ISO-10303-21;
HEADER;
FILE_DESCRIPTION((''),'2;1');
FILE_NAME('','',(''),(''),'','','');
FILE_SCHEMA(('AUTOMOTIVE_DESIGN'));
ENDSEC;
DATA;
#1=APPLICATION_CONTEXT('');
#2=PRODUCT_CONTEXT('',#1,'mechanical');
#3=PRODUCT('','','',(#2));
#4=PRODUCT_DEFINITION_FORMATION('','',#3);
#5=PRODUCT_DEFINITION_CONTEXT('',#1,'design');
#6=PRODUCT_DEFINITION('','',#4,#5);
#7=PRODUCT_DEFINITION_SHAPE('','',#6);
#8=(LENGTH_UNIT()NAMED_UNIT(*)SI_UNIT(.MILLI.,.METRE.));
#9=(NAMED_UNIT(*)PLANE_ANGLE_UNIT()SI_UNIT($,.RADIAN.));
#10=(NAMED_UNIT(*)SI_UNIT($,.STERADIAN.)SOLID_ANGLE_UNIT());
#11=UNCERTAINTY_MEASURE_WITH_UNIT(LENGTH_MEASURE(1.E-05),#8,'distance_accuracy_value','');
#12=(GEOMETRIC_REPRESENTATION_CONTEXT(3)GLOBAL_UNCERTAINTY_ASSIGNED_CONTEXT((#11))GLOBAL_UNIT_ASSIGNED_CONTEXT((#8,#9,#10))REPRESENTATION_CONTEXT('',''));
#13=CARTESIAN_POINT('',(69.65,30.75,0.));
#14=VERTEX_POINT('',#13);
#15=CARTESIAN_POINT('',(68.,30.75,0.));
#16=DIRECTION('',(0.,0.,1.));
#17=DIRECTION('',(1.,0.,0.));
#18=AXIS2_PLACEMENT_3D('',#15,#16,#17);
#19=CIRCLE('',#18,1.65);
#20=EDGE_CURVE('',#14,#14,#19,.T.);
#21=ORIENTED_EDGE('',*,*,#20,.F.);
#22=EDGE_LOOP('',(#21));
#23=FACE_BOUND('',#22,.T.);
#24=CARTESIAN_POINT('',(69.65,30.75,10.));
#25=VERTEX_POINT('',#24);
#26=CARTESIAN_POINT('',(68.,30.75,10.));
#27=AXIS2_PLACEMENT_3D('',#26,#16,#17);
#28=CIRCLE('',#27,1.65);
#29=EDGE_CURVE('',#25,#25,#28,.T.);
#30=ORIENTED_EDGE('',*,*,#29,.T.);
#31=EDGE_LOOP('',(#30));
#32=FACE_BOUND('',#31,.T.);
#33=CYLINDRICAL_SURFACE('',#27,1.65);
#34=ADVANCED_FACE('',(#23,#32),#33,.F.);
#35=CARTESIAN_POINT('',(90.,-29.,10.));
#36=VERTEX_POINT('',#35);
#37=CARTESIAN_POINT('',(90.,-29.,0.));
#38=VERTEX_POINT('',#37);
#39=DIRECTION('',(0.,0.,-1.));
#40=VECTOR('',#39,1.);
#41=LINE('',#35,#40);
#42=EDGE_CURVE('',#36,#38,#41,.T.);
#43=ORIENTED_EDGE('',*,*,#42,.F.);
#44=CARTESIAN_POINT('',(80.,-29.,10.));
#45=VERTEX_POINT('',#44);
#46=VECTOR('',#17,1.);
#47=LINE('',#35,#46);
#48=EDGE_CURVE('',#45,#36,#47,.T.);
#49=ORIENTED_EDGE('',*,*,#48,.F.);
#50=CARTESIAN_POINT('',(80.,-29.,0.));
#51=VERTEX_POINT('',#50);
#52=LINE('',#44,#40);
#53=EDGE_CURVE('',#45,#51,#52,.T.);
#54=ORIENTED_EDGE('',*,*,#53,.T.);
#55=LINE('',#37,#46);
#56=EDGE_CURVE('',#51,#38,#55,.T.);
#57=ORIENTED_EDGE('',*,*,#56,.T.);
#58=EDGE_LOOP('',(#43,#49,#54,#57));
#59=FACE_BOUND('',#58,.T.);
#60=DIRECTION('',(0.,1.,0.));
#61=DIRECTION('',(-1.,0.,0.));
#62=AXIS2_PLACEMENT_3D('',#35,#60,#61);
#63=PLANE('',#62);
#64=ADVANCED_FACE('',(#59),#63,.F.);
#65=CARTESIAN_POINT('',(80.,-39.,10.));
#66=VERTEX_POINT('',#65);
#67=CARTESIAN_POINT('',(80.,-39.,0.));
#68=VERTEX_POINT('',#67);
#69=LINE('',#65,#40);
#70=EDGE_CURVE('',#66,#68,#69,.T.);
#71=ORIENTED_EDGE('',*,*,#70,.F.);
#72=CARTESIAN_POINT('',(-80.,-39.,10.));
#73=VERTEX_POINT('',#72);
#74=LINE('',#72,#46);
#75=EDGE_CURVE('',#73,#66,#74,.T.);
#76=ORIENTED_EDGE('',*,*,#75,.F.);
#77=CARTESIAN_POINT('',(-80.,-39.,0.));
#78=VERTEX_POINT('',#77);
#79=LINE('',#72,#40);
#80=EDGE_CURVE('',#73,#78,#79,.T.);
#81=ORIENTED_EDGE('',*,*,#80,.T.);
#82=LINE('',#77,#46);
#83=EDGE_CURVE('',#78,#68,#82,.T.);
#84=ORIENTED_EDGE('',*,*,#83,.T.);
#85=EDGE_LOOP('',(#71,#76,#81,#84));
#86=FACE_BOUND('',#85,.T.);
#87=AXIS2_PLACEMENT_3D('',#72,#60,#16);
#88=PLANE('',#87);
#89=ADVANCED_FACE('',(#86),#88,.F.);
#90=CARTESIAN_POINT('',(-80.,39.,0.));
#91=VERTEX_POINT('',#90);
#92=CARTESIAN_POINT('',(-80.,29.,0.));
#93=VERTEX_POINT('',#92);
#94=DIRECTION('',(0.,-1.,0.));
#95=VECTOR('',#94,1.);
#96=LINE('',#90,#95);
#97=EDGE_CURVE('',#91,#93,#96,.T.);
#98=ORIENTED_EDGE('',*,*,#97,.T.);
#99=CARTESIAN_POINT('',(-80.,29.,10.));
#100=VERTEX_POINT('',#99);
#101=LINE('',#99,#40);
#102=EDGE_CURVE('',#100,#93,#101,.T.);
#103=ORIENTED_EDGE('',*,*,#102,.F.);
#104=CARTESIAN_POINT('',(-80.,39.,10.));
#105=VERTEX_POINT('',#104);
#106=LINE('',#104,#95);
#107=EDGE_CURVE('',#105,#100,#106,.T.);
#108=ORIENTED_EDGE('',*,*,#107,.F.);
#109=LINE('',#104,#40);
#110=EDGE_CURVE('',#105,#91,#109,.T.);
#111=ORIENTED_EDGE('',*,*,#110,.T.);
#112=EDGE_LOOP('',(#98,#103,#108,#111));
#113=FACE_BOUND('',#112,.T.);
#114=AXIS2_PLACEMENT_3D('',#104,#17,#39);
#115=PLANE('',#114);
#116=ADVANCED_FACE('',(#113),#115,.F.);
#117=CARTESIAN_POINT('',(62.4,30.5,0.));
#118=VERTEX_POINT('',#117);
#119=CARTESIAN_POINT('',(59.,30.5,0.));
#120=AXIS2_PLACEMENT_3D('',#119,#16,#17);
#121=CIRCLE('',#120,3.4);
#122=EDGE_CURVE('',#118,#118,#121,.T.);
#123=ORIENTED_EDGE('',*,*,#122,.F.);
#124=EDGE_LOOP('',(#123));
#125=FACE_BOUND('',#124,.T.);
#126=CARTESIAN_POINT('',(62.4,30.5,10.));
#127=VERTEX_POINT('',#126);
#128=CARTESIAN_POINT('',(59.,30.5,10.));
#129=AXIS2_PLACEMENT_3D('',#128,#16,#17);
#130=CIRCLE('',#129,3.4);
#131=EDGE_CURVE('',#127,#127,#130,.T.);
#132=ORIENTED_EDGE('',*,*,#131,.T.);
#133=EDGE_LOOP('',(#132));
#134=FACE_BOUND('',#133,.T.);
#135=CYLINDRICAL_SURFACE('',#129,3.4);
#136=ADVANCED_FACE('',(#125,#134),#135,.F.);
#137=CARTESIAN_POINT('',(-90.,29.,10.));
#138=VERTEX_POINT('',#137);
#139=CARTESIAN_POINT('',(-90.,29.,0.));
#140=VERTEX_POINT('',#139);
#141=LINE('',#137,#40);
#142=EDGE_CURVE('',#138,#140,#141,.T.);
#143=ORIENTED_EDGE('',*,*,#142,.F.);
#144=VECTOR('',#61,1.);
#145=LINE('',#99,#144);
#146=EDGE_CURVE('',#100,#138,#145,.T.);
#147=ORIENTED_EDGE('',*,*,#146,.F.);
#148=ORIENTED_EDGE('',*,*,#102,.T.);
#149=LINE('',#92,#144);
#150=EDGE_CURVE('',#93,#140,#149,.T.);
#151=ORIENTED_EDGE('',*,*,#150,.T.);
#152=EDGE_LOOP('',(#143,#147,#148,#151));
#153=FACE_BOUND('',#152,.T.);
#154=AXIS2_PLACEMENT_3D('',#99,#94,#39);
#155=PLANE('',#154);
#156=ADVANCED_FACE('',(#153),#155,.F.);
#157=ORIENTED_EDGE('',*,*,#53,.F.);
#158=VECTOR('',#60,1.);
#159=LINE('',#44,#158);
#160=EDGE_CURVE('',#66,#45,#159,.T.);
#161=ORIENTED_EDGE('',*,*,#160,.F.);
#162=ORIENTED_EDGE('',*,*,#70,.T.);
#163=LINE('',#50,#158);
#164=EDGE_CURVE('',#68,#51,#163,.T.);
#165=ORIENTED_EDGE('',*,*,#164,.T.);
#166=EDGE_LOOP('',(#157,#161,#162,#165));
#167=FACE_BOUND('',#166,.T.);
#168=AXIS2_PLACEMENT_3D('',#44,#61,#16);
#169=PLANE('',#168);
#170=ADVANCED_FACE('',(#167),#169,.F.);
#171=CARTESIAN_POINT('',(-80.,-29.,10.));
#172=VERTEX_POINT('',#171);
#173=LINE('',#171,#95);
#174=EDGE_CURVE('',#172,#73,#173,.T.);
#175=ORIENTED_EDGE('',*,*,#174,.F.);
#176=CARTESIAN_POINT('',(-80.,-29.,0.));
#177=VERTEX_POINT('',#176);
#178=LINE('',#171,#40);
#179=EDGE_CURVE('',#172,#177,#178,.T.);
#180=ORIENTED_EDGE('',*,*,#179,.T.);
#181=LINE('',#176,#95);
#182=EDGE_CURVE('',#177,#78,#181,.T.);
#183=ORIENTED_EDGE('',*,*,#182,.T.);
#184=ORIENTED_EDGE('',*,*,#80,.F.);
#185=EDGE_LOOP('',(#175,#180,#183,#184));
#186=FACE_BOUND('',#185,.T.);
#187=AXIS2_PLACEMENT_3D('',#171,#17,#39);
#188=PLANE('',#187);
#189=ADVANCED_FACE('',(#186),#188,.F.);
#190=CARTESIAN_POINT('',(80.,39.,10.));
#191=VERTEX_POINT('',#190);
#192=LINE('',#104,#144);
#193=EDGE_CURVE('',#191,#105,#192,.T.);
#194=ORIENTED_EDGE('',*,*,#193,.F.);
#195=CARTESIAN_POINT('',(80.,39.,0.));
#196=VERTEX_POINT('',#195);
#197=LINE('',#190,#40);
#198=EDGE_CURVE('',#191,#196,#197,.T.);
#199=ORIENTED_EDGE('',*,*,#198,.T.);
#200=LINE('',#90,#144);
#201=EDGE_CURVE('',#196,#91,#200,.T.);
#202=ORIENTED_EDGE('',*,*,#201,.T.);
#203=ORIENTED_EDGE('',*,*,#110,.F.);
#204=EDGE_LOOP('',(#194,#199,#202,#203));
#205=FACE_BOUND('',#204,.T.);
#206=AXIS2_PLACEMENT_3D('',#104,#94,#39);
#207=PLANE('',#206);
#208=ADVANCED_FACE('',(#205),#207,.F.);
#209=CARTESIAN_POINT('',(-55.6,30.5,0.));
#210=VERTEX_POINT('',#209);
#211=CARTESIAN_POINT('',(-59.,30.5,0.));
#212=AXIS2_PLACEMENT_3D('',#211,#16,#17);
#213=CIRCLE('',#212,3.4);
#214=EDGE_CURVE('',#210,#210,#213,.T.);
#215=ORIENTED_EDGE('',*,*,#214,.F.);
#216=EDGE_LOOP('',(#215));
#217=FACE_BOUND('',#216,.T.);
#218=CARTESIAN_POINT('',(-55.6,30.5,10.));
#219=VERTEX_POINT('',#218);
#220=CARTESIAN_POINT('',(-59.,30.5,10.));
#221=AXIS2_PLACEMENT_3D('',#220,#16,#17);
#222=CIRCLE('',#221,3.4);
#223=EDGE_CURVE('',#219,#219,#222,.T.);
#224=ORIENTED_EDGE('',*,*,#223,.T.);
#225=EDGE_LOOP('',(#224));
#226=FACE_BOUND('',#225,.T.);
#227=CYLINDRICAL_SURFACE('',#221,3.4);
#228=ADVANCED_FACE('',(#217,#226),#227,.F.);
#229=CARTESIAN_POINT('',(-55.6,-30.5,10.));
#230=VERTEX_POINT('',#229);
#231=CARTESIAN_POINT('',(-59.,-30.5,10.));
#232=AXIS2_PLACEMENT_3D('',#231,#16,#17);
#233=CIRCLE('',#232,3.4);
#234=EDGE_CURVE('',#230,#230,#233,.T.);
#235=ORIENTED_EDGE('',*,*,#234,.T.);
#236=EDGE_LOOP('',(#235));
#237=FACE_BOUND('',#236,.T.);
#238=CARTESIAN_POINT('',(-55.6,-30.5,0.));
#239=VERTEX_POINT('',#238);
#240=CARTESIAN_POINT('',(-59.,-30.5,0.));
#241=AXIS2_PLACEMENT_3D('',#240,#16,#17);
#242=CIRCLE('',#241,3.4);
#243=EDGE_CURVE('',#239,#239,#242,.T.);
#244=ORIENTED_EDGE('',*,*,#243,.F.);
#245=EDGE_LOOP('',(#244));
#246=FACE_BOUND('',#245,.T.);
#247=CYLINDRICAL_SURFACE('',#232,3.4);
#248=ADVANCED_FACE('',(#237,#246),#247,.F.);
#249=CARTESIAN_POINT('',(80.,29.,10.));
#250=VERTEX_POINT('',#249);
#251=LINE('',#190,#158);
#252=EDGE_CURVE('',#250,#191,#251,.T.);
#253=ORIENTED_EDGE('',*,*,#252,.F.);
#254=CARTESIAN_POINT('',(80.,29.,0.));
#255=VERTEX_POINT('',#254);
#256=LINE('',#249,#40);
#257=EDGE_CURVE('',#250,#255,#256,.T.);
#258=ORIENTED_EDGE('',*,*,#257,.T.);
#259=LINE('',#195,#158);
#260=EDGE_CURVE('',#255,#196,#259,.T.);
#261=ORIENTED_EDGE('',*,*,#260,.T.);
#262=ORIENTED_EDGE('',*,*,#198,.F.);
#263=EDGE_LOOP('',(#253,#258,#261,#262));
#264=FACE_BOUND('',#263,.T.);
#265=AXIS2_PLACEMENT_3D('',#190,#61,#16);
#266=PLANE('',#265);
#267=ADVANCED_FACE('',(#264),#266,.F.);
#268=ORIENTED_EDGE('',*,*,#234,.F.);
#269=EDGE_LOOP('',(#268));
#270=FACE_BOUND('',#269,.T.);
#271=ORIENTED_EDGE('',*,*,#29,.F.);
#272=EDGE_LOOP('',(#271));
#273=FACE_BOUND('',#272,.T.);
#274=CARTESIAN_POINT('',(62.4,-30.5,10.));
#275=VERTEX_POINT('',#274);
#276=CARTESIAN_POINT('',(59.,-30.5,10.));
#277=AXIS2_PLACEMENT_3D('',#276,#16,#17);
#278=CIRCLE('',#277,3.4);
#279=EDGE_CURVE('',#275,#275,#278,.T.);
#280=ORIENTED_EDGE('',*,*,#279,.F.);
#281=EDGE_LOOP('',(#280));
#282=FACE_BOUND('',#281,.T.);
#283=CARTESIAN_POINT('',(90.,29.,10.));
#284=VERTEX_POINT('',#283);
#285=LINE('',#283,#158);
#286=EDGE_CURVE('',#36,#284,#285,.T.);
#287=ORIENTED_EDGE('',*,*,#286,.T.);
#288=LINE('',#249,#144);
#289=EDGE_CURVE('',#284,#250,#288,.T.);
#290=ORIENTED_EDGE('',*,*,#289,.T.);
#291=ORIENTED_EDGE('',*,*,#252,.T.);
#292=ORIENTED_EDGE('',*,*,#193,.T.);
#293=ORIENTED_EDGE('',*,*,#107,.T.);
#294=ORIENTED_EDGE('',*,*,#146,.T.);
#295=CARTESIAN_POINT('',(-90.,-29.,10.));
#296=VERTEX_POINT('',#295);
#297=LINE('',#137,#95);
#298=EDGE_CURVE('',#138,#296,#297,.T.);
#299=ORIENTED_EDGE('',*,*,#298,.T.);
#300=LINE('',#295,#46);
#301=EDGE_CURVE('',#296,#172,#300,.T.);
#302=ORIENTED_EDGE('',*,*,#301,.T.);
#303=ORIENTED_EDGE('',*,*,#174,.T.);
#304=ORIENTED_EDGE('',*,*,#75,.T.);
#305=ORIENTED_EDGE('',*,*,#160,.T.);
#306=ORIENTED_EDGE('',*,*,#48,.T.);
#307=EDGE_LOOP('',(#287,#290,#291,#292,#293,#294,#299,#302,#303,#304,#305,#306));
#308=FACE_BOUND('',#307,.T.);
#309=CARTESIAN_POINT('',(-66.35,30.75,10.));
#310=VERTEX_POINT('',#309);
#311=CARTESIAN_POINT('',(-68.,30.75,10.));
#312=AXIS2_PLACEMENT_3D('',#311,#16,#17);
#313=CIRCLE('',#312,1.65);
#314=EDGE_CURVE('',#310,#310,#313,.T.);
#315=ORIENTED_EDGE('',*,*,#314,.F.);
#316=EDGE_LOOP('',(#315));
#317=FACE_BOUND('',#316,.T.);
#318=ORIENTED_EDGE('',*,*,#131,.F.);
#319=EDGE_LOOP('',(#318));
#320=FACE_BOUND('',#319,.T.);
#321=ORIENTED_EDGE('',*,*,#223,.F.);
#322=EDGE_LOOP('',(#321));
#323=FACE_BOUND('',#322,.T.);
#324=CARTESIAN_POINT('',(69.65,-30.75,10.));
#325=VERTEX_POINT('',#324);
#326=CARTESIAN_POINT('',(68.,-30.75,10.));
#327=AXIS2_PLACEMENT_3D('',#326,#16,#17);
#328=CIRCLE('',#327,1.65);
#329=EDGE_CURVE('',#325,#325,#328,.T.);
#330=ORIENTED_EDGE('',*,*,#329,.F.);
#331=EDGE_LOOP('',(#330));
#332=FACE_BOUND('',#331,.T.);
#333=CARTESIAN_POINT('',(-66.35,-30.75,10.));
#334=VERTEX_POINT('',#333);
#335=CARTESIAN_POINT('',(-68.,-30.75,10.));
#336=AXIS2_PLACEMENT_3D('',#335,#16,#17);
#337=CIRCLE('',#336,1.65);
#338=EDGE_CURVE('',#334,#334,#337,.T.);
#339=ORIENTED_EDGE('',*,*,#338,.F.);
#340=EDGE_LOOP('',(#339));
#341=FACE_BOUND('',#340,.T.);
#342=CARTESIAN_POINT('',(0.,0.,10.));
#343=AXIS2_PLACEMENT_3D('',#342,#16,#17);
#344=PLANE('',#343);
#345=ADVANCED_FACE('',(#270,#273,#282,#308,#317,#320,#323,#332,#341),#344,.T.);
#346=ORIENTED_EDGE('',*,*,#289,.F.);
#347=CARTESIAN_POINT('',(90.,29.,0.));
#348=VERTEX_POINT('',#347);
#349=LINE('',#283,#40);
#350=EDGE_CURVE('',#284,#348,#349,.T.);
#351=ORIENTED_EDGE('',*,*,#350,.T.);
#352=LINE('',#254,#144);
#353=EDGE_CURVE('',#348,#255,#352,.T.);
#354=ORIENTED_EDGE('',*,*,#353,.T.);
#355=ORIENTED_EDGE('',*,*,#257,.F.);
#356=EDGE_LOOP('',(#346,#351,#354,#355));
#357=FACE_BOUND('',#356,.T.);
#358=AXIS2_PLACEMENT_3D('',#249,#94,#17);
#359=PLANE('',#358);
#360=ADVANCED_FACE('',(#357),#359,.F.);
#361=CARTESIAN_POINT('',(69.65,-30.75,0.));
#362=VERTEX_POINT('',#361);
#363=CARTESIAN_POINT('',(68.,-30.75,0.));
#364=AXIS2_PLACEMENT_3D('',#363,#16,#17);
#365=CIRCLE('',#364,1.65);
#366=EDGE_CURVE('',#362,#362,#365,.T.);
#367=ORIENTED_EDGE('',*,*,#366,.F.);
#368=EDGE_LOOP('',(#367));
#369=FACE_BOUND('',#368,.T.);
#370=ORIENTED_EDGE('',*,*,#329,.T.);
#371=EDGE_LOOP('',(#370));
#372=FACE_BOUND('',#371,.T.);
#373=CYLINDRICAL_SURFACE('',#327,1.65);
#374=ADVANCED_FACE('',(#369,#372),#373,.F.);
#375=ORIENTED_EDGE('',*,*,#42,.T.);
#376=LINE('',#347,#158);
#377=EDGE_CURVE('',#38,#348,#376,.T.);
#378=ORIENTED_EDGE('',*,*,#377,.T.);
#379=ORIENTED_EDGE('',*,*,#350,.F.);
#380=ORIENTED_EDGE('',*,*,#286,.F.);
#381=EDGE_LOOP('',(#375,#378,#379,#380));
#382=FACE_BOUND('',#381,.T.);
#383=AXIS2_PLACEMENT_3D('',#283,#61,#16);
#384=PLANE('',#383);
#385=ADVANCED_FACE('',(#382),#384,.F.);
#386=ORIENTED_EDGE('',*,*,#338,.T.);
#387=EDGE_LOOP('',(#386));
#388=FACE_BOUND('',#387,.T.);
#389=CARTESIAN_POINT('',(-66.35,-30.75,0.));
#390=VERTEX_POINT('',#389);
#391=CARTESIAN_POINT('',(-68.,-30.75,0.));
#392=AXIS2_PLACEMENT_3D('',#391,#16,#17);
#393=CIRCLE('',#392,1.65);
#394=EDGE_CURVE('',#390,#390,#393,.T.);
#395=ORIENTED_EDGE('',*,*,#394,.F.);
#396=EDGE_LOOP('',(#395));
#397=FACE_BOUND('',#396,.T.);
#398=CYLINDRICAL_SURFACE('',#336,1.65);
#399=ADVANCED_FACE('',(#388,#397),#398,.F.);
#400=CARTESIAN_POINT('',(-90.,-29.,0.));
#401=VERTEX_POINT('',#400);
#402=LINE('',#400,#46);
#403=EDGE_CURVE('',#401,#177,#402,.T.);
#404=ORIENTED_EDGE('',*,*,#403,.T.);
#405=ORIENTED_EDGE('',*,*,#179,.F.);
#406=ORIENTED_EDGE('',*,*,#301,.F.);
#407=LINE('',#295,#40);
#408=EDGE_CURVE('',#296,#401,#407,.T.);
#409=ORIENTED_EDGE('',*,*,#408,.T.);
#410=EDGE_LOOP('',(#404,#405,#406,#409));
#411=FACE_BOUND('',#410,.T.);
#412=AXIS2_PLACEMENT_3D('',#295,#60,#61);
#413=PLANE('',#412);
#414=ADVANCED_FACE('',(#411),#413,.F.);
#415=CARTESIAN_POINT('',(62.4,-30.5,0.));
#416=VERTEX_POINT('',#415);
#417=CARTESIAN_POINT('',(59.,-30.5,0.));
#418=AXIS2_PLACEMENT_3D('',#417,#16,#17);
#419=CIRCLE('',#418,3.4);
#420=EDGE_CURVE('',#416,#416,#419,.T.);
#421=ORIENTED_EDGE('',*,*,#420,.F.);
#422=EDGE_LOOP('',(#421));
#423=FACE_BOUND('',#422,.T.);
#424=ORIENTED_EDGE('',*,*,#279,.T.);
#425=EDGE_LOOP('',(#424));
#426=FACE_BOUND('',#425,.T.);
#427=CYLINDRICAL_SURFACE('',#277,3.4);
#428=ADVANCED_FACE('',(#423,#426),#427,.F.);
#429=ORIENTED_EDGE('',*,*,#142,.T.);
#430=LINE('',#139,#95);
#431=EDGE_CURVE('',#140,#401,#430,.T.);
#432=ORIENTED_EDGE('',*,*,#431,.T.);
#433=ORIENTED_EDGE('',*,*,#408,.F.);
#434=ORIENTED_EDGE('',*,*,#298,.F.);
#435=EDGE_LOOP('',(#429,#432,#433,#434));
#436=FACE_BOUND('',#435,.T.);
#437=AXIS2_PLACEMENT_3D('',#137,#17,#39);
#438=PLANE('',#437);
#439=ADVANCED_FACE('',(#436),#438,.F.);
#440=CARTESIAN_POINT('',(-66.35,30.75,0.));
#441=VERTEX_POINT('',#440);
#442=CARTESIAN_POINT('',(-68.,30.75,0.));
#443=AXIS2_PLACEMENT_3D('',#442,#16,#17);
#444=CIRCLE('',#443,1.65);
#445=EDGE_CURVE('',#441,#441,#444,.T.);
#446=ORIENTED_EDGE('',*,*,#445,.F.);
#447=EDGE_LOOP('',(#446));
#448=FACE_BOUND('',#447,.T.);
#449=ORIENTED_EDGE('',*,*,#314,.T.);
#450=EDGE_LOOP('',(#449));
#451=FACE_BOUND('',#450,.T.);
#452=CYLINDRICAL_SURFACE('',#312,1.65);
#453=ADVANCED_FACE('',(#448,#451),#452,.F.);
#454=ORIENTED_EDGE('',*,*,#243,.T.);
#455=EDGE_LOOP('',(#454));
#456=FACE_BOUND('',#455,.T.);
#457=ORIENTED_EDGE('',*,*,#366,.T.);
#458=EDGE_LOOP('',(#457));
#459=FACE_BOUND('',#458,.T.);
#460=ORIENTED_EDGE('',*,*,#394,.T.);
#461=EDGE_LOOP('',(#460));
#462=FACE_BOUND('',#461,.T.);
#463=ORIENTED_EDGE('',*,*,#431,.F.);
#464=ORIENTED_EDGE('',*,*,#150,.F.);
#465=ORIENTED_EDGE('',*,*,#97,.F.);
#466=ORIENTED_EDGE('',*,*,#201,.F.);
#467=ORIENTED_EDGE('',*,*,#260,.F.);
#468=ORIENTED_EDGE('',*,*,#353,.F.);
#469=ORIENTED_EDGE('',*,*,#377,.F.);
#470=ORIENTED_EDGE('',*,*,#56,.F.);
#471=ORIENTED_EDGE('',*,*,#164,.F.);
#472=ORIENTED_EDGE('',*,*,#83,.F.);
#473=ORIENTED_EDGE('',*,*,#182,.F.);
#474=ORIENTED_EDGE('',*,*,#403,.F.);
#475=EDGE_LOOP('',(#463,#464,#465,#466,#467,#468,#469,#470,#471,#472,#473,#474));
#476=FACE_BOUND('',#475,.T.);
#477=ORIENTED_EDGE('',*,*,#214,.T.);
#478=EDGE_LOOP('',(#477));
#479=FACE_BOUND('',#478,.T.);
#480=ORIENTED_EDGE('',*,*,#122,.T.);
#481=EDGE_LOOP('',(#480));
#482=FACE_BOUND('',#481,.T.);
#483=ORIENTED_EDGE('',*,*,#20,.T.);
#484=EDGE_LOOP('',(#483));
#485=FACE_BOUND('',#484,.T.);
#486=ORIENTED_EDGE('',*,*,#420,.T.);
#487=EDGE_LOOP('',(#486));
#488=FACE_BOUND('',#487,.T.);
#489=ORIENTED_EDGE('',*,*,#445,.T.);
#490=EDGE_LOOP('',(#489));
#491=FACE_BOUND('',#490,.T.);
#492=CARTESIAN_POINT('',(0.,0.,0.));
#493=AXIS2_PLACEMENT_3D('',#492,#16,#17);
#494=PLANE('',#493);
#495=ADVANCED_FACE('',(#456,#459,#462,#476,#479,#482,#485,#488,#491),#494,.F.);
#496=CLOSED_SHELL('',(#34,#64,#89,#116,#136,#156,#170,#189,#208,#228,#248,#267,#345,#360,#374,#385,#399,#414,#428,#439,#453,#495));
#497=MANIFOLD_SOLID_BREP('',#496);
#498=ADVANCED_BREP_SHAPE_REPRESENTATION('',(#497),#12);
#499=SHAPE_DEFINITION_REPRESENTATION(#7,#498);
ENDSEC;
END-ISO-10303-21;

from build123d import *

# Parameters (mm, degrees)
BOSS_EXTRUDE1_DEPTH = 10
M4_TAPPED_HOLE1_D   = 3.3
M8_TAPPED_HOLE1_D   = 6.8


with BuildPart() as part:
    # Sketch1 → Boss-Extrude1 (new body)
    with BuildSketch(Plane.XY):
        Polygon((-80, 39), (80, 39), (80, 29), (90, 29), (90, -29), (80, -29), (80, -39), (-80, -39), (-80, -29), (-90, -29), (-90, 29), (-80, 29), align=None)
    extrude(amount=BOSS_EXTRUDE1_DEPTH)

    # M4 Tapped Hole1 (through all)
    with Locations(Plane.XY.offset(10)):
        with Locations((-68, 30.75), (-68, -30.75), (68, -30.75), (68, 30.75)):
            Hole(M4_TAPPED_HOLE1_D / 2)

    # M8 Tapped Hole1 (through all)
    with Locations(Plane.XY.offset(10)):
        with Locations((-59, 30.5), (-59, -30.5), (59, -30.5), (59, 30.5)):
            Hole(M8_TAPPED_HOLE1_D / 2)


solid = part.part
